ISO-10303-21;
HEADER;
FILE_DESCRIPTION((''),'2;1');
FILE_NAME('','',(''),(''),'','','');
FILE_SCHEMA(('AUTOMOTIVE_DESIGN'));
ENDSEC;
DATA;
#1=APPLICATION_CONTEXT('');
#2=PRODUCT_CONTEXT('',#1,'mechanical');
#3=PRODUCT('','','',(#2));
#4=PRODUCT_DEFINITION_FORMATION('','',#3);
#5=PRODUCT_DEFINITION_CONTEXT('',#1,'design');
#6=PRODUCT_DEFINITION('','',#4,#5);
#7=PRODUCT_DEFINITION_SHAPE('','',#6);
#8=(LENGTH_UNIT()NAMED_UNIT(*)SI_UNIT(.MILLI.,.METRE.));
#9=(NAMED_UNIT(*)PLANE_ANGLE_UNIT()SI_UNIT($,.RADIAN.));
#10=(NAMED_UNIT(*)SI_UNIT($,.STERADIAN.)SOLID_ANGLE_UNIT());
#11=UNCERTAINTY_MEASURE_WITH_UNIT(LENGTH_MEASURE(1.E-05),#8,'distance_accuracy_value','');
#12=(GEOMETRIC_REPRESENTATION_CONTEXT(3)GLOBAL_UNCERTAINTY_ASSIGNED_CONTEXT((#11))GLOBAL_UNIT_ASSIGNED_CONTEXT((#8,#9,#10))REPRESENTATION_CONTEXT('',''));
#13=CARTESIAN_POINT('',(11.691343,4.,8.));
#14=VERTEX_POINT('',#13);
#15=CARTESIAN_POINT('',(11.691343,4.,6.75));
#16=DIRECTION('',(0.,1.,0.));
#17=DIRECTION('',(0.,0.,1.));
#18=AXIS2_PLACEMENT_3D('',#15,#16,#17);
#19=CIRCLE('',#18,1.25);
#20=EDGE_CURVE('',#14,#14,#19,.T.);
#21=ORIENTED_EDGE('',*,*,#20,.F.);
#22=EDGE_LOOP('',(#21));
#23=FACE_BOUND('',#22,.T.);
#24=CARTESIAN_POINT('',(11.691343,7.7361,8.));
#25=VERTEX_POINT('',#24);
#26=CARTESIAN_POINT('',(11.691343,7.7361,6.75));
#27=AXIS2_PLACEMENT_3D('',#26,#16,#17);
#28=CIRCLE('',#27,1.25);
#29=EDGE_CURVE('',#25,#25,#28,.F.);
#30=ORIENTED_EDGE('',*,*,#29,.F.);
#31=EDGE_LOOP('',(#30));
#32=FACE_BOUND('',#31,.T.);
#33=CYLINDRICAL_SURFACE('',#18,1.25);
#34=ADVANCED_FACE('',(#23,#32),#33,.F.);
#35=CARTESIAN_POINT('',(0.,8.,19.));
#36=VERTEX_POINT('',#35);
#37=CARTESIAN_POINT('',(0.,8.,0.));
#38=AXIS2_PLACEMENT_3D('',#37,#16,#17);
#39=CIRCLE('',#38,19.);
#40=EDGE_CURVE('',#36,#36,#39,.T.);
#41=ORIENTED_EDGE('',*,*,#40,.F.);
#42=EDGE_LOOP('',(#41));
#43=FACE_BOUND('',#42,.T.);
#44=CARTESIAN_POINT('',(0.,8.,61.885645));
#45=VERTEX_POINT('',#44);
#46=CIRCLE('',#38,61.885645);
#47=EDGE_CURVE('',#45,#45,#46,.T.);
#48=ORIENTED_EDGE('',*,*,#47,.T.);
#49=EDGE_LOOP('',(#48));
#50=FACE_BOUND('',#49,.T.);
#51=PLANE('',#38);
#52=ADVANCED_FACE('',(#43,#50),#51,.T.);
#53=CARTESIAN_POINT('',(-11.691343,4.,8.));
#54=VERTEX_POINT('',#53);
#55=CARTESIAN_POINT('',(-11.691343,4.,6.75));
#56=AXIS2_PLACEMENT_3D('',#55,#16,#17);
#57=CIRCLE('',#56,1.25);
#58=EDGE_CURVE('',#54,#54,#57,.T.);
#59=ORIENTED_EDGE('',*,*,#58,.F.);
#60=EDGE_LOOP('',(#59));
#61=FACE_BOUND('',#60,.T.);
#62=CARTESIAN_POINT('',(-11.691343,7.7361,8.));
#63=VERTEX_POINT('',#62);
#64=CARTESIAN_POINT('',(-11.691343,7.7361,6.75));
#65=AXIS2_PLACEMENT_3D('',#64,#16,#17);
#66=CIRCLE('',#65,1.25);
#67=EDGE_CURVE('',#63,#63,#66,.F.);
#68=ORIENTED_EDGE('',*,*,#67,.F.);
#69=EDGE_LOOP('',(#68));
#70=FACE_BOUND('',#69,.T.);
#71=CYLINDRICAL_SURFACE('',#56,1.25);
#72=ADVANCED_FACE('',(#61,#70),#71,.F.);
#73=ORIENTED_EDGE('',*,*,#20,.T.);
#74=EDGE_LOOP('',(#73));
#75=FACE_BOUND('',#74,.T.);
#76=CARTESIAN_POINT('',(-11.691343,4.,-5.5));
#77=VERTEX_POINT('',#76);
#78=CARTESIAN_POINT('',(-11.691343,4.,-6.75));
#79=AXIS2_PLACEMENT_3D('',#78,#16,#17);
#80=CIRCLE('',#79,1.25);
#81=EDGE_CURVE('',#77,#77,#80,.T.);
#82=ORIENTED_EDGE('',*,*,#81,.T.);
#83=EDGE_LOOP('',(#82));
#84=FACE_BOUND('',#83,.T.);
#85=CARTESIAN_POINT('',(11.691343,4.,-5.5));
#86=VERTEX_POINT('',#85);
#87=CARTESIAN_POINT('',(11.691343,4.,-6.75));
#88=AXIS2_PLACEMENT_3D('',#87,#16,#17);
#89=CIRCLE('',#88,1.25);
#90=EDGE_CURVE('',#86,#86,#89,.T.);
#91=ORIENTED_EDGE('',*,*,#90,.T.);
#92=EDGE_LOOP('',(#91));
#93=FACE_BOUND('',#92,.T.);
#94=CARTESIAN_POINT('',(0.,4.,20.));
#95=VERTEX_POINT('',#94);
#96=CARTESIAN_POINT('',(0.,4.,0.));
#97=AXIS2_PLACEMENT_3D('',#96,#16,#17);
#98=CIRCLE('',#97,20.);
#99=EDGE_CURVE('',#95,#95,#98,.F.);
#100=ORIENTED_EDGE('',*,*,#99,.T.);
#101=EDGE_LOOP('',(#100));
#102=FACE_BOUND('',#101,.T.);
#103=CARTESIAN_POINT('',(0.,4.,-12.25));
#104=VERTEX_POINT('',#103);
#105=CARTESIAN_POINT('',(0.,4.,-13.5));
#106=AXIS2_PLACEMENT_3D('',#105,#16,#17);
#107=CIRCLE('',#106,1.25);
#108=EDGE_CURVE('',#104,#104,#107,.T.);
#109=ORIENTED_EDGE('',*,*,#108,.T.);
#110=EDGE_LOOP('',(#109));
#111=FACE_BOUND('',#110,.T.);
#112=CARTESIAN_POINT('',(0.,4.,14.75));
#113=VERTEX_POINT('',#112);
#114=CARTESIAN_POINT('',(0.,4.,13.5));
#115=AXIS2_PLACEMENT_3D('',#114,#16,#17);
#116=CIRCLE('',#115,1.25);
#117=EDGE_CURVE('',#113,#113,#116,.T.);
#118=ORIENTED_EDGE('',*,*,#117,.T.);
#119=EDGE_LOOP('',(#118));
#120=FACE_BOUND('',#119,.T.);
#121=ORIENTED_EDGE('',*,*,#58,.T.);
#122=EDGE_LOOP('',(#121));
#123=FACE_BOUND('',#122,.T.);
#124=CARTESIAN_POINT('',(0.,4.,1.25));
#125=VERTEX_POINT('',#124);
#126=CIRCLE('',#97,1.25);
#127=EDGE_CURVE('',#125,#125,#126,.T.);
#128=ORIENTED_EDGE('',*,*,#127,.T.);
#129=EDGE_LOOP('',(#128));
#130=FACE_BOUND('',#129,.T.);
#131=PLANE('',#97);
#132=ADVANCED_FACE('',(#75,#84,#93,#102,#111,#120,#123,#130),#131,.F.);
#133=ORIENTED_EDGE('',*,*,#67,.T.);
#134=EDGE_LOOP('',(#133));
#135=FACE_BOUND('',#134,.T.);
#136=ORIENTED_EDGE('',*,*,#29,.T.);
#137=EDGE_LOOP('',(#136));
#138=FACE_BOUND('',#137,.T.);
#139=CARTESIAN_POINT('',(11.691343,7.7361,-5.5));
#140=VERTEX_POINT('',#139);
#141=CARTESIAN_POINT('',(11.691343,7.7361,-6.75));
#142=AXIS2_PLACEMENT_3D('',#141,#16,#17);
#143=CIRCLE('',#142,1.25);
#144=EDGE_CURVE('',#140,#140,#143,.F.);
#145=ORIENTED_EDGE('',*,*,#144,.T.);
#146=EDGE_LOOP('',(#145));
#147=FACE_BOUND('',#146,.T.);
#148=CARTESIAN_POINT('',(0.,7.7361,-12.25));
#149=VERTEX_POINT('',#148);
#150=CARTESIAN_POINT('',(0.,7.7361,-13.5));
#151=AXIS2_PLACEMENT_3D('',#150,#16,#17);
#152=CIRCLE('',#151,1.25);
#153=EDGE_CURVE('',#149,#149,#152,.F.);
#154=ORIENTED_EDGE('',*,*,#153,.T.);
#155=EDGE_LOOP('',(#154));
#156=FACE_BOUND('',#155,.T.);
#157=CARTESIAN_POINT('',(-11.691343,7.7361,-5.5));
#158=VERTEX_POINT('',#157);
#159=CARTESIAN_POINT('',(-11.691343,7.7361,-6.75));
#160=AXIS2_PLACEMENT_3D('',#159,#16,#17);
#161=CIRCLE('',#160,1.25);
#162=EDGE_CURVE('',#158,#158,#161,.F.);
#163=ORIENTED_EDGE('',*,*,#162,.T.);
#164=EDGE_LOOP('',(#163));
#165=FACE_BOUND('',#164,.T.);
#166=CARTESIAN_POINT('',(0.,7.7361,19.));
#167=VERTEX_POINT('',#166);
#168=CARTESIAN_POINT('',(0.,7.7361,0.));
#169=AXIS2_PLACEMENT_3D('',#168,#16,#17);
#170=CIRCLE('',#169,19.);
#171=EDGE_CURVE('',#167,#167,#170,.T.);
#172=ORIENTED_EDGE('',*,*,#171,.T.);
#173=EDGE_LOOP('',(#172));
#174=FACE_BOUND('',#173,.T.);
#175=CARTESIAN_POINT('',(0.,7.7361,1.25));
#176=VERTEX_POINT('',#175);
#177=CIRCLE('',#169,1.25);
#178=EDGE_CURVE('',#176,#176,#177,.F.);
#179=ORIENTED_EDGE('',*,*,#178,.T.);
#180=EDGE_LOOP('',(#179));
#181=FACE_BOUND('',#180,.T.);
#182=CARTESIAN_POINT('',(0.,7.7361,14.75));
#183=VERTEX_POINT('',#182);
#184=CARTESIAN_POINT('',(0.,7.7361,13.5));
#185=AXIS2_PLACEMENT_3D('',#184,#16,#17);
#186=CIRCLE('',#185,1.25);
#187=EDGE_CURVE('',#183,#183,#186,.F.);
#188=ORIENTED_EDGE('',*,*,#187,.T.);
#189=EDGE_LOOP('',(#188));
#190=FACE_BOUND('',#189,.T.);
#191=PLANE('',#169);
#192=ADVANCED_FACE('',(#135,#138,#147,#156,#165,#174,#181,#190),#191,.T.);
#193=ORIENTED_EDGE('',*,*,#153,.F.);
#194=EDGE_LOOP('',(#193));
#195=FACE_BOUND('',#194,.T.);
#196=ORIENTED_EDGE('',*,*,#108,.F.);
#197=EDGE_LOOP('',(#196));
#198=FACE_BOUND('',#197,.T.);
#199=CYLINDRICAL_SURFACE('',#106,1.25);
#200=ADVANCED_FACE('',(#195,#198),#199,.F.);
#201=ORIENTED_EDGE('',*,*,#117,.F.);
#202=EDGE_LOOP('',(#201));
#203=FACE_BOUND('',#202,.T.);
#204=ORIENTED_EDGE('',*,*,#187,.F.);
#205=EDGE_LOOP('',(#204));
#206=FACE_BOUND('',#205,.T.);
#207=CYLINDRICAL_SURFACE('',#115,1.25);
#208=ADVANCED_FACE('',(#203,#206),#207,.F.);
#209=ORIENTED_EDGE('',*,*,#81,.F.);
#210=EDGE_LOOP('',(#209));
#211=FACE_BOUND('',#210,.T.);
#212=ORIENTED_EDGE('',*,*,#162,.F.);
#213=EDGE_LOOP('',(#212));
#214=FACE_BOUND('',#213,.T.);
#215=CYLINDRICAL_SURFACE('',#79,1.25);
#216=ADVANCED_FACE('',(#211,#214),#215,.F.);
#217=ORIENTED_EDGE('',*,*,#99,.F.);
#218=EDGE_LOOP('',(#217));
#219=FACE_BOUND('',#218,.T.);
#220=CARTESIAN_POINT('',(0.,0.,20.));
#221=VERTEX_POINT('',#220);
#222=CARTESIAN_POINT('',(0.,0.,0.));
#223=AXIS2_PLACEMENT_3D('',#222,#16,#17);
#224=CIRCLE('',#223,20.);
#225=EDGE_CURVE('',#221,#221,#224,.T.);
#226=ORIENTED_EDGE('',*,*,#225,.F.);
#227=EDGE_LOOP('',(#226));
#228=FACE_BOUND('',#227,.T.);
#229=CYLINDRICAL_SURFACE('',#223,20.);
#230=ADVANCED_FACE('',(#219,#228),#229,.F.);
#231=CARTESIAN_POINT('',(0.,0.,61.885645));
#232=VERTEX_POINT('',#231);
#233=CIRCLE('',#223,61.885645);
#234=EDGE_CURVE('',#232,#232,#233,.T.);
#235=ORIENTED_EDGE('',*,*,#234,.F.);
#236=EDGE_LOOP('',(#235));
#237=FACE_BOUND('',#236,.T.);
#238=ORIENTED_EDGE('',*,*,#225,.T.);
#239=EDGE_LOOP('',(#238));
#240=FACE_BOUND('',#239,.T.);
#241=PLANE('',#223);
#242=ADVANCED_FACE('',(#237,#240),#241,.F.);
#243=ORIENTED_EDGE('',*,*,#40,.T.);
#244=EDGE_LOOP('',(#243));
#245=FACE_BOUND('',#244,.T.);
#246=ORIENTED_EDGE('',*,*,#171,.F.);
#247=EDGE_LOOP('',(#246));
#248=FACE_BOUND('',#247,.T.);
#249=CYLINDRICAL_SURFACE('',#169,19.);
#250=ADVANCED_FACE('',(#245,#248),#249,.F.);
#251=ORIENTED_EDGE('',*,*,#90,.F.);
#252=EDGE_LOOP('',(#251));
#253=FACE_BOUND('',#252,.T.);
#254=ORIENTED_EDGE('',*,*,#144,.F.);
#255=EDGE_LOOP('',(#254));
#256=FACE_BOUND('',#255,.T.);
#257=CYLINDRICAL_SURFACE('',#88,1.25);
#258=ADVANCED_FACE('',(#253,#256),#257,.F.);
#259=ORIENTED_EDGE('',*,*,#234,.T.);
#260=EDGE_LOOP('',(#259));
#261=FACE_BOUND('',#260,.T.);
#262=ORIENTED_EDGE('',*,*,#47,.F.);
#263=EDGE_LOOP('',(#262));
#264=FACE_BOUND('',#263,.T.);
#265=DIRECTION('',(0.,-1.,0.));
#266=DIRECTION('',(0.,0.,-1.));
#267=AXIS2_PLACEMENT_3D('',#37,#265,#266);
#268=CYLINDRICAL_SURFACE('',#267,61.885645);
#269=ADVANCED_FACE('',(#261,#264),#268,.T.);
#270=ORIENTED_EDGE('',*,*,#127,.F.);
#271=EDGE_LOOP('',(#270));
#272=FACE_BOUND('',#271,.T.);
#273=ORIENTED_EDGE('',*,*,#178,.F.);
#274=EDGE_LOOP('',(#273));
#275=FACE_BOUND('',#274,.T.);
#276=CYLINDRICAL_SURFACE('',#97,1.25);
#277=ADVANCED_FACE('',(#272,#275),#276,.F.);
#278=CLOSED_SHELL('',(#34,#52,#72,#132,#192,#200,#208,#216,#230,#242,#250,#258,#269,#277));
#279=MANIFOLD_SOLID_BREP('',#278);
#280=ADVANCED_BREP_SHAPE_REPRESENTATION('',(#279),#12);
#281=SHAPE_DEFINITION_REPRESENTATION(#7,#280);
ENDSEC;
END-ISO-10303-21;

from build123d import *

# Parameters (mm, degrees)
CROQUIS1_R              = 61.885645
SALIENTE_EXTRUIR1_DEPTH = 8
CROQUIS2_R              = 20
CORTAR_EXTRUIR1_DEPTH   = 8
CROQUIS3_R              = 20
SALIENTE_EXTRUIR2_DEPTH = 4
CROQUIS4_R              = 19
SALIENTE_EXTRUIR3_DEPTH = 8.1661
CROQUIS5_R              = 1.25
CORTAR_EXTRUIR2_DEPTH   = 8.1661
CROQUIS6_R              = 1.25
CORTAR_EXTRUIR3_DEPTH   = 8.1661
CROQUIS7_R              = 19
CORTAR_EXTRUIR4_DEPTH   = 4.43


with BuildPart() as part:
    # Croquis1 → Saliente-Extruir1 (new body)
    with BuildSketch(Plane(origin=(0, 0, 0), x_dir=(1, 0, 0), z_dir=(0, 1, 0))):
        Circle(CROQUIS1_R)
    extrude(amount=SALIENTE_EXTRUIR1_DEPTH)

    # Croquis2 → Cortar-Extruir1 (cut)
    with BuildSketch(Plane(origin=(0, 8, 0), x_dir=(1, 0, 0), z_dir=(0, 1, 0))):
        Circle(CROQUIS2_R)
    extrude(amount=-CORTAR_EXTRUIR1_DEPTH, mode=Mode.SUBTRACT)

    # Croquis3 → Saliente-Extruir2 (add)
    with BuildSketch(Plane(origin=(0, 8, 0), x_dir=(1, 0, 0), z_dir=(0, 1, 0))):
        Circle(CROQUIS3_R)
    extrude(amount=-SALIENTE_EXTRUIR2_DEPTH)

    # Croquis4 → Saliente-Extruir3 (add)
    with BuildSketch(Plane(origin=(0, 4, 0), x_dir=(-1, 0, 0), z_dir=(0, -1, 0))):
        Circle(CROQUIS4_R)
    extrude(amount=-SALIENTE_EXTRUIR3_DEPTH)

    # Croquis5 → Cortar-Extruir2 (cut)
    with BuildSketch(Plane(origin=(0, 12.1661, 0), x_dir=(1, 0, 0), z_dir=(0, 1, 0))):
        with Locations((11.691342951, 6.75)):
            Circle(CROQUIS5_R)
        with Locations((0, 13.5)):
            Circle(CROQUIS5_R)
        with Locations((-11.691342951, 6.75)):
            Circle(CROQUIS5_R)
        with Locations((-11.691342951, -6.75)):
            Circle(CROQUIS5_R)
        with Locations((0, -13.5)):
            Circle(CROQUIS5_R)
        with Locations((11.691342951, -6.75)):
            Circle(CROQUIS5_R)
    extrude(amount=-CORTAR_EXTRUIR2_DEPTH, mode=Mode.SUBTRACT)

    # Croquis6 → Cortar-Extruir3 (cut)
    with BuildSketch(Plane(origin=(0, 12.1661, 0), x_dir=(1, 0, 0), z_dir=(0, 1, 0))):
        Circle(CROQUIS6_R)
    extrude(amount=-CORTAR_EXTRUIR3_DEPTH, mode=Mode.SUBTRACT)

    # Croquis7 → Cortar-Extruir4 (cut)
    with BuildSketch(Plane(origin=(0, 12.1661, 0), x_dir=(1, 0, 0), z_dir=(0, 1, 0))):
        Circle(CROQUIS7_R)
    extrude(amount=-CORTAR_EXTRUIR4_DEPTH, mode=Mode.SUBTRACT)


solid = part.part
